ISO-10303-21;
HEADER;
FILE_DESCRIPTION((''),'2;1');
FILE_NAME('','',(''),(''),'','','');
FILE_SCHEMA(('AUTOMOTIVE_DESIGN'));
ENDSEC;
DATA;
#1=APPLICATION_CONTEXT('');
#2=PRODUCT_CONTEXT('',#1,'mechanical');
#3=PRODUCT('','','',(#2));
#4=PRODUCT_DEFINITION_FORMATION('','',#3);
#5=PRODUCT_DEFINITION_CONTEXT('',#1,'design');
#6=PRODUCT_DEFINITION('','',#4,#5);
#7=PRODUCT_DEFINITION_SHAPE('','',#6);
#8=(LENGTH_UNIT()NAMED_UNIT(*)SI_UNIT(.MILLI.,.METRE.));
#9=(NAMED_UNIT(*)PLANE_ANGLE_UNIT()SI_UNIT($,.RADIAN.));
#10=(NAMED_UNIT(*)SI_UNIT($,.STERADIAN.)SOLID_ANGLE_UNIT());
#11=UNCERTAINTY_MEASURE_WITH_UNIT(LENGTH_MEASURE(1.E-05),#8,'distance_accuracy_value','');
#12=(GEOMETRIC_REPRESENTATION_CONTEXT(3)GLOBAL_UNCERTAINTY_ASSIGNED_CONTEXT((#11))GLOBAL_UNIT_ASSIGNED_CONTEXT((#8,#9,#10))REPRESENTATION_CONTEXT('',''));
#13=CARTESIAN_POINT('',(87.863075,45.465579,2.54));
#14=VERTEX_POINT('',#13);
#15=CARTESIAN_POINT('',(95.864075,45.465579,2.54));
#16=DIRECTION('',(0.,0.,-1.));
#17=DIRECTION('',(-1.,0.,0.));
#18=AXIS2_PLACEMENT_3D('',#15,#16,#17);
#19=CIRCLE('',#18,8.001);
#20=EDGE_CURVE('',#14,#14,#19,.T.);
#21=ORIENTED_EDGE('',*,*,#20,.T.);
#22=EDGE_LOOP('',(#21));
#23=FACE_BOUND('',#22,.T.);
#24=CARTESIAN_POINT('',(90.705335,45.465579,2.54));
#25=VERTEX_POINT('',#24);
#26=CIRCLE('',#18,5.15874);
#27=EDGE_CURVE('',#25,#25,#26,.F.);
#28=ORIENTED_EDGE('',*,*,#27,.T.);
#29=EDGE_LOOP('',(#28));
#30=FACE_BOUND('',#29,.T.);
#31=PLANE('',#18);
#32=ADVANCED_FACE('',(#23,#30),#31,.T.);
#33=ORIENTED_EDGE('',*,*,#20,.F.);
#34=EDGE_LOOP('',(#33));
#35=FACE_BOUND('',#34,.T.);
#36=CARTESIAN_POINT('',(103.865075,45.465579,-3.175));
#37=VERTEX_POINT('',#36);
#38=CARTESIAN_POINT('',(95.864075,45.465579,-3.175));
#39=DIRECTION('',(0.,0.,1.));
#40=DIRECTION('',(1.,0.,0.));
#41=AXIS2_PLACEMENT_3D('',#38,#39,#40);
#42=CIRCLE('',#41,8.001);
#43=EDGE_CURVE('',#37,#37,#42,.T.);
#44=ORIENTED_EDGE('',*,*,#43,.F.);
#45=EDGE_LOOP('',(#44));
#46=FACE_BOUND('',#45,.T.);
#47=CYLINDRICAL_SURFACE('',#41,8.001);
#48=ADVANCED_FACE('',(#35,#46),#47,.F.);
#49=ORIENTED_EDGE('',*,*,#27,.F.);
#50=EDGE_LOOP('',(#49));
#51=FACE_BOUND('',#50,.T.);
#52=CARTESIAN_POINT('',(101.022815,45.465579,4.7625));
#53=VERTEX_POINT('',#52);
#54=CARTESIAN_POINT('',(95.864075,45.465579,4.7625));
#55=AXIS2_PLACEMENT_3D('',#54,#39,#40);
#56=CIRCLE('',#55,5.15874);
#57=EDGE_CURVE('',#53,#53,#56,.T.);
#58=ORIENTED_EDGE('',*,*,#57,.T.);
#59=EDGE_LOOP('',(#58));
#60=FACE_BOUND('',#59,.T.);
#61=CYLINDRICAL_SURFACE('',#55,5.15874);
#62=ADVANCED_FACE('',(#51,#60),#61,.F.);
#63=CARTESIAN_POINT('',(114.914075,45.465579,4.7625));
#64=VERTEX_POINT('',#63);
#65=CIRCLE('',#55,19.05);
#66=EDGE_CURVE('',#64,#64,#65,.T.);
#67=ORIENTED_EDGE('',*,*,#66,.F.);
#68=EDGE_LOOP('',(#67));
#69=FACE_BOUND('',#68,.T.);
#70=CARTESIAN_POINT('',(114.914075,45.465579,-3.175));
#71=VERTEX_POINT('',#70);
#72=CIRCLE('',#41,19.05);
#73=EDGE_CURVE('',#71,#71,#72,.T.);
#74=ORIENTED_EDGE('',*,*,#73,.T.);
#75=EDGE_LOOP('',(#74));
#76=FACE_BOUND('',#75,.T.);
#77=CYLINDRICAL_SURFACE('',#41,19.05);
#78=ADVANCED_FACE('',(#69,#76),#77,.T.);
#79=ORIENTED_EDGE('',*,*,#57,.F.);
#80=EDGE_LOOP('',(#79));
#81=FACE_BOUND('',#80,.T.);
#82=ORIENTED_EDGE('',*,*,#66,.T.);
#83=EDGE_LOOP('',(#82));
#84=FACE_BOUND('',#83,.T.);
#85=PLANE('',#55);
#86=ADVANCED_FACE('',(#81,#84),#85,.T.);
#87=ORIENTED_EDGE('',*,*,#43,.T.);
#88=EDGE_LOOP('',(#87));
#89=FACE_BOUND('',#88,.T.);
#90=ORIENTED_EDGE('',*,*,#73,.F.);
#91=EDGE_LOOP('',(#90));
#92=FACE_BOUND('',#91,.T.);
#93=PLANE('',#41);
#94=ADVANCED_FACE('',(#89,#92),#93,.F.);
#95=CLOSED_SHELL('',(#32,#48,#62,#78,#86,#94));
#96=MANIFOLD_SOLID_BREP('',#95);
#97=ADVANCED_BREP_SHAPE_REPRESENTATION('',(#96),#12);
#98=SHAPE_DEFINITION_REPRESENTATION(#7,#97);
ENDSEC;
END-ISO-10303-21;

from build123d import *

# Parameters (mm, degrees)
SKETCH1_R               = 19.05
SKETCH1_R_2             = 8.001
BOSS_EXTRUDE1_DEPTH     = 3.175
SKETCH2_R               = 19.05
BOSS_EXTRUDE2_DEPTH     = 4.7625
F_3_8_CLEARANCE_HOLE1_D = 10.31748
SKETCH6_R               = 8.001
CUT_EXTRUDE1_DEPTH      = 2.54


with BuildPart() as part:
    # Sketch1 → Boss-Extrude1 (new body)
    with BuildSketch(Plane.XY):
        with Locations((95.864074702, 45.465579041)):
            Circle(SKETCH1_R)
        with Locations((95.864074702, 45.465579041)):
            Circle(SKETCH1_R_2, mode=Mode.SUBTRACT)
    extrude(amount=-BOSS_EXTRUDE1_DEPTH)

    # Sketch2 → Boss-Extrude2 (add)
    with BuildSketch(Plane.XY):
        with Locations((95.864074702, 45.465579041)):
            Circle(SKETCH2_R)
    extrude(amount=BOSS_EXTRUDE2_DEPTH)

    # 3/8 Clearance Hole1 (through all)
    with Locations(Plane.XY.offset(4.7625)):
        with Locations((95.864074702, 45.465579041)):
            Hole(F_3_8_CLEARANCE_HOLE1_D / 2)

    # Sketch6 → Cut-Extrude1 (cut)
    with BuildSketch(Plane(origin=(0, 0, 0), x_dir=(-1, 0, 0), z_dir=(0, 0, -1))):
        with Locations((-95.864074702, 45.465579041)):
            Circle(SKETCH6_R)
    extrude(amount=-CUT_EXTRUDE1_DEPTH, mode=Mode.SUBTRACT)


solid = part.part
